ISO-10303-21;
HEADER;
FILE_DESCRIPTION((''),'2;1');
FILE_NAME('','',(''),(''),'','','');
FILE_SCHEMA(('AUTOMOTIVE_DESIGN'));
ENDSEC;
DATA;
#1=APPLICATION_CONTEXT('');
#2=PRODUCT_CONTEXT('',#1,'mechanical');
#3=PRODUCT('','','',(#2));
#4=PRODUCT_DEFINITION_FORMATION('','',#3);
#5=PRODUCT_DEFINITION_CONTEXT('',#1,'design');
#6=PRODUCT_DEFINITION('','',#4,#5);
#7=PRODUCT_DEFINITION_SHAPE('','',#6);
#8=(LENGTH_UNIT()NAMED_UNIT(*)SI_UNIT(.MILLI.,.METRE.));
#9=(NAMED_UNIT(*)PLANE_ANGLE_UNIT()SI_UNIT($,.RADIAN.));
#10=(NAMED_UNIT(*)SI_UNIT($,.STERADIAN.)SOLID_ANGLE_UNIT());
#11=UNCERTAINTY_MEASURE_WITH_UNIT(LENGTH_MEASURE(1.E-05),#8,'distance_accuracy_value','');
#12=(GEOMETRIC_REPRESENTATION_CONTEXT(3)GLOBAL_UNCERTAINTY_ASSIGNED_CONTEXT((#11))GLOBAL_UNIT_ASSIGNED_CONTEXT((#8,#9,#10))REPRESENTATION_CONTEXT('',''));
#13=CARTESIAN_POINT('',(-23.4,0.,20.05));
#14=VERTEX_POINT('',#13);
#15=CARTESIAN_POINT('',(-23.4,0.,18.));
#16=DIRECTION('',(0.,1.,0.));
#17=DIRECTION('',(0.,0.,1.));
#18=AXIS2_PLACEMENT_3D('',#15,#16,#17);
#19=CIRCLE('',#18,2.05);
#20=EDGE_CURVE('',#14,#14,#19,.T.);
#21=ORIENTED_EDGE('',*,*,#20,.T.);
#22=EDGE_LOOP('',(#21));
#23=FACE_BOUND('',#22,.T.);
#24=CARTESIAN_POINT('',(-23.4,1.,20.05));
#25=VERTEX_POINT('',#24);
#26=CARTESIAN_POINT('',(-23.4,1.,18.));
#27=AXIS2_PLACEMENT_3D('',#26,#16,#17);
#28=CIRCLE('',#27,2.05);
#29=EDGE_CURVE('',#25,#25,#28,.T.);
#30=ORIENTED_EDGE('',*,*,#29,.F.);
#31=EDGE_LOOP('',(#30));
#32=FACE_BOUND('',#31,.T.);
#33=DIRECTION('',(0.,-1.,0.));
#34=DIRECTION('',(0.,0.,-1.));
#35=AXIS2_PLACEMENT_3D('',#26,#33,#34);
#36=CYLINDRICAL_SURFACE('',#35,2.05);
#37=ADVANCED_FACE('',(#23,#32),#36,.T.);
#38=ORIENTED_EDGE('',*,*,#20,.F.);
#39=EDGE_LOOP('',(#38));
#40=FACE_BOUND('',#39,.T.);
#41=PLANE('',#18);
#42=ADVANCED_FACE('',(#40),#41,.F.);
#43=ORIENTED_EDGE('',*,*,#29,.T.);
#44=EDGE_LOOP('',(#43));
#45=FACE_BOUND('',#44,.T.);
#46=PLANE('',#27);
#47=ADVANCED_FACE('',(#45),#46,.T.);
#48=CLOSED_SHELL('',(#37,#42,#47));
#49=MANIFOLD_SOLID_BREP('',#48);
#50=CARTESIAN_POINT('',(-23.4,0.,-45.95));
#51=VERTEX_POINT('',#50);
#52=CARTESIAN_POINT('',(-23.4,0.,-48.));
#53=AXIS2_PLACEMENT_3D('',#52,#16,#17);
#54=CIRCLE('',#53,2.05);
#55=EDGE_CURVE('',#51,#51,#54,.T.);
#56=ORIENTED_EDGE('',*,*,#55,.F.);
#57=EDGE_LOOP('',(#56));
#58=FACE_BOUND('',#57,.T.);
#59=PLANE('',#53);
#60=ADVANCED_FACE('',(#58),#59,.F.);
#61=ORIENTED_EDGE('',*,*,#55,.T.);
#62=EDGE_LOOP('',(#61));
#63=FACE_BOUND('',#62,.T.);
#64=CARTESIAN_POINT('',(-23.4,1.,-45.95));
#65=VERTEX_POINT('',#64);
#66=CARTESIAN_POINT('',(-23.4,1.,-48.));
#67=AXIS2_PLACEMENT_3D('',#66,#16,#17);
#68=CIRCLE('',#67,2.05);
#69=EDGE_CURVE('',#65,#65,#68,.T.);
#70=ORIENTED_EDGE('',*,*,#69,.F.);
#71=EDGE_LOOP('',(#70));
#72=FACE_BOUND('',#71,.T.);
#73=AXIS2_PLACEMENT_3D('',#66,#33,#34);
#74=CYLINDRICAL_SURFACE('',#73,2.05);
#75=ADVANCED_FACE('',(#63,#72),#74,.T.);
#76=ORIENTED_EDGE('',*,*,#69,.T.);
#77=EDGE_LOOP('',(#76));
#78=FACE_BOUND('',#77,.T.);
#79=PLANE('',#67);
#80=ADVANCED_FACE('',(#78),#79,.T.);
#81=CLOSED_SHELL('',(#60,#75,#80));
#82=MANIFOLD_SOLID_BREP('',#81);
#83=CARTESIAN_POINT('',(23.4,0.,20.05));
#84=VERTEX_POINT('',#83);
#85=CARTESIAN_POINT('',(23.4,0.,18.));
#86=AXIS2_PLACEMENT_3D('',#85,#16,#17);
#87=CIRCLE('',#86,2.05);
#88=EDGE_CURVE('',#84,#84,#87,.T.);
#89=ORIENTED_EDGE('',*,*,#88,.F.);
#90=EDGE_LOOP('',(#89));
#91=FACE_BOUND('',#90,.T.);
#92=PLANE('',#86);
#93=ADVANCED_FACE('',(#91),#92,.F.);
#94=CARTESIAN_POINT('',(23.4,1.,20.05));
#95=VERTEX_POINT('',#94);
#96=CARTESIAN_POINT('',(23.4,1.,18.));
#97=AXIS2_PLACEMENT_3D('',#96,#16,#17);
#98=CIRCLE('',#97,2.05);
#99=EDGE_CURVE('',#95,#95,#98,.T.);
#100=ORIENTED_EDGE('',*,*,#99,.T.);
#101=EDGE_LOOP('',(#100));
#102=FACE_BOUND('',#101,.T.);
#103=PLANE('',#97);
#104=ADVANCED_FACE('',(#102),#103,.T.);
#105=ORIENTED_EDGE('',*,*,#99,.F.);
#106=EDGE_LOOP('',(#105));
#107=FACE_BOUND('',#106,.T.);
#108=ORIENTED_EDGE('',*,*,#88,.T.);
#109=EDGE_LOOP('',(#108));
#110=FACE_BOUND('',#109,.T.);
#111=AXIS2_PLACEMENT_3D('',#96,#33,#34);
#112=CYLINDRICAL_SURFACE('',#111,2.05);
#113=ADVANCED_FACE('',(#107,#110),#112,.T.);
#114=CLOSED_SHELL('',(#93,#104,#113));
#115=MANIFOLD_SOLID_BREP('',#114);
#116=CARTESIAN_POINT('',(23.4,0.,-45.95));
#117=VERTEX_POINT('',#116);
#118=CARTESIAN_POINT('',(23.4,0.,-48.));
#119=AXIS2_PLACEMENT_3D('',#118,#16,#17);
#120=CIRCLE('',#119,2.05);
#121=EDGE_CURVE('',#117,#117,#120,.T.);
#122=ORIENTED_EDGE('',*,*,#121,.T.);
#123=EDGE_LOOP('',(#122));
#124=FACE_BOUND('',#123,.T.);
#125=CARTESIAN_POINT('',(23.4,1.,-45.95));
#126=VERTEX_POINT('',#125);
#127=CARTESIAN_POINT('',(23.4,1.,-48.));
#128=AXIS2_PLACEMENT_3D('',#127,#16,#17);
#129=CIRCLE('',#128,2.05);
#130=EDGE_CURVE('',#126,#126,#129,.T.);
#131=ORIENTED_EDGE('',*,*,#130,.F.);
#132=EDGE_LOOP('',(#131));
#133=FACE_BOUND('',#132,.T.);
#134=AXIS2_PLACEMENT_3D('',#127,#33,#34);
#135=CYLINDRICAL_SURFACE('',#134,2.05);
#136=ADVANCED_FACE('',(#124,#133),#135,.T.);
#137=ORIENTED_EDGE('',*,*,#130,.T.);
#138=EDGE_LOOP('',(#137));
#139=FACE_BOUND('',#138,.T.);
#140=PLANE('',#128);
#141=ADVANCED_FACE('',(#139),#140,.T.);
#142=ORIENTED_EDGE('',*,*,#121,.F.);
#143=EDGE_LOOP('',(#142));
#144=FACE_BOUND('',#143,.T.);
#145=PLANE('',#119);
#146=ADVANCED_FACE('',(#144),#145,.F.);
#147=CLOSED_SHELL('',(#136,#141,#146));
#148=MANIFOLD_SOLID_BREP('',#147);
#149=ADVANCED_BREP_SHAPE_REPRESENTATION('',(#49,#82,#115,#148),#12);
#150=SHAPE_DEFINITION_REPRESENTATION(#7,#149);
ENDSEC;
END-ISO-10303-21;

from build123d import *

# Parameters (mm, degrees)
SKETCH1_R           = 2.05
BOSS_EXTRUDE1_DEPTH = 1
SKETCH2_R           = 2.05
BOSS_EXTRUDE2_DEPTH = 1
SKETCH3_R           = 2.05
BOSS_EXTRUDE3_DEPTH = 1
SKETCH4_R           = 2.05
BOSS_EXTRUDE4_DEPTH = 1


with BuildPart() as part:
    # Sketch1 → Boss-Extrude1 (new body)
    with BuildSketch(Plane(origin=(0, 0, 0), x_dir=(1, 0, 0), z_dir=(0, 1, 0))):
        with Locations(Location((-23.4, 48, 0), (0, 0, 270))):
            Circle(SKETCH1_R)
    extrude(amount=BOSS_EXTRUDE1_DEPTH)


with BuildPart() as body_2:
    # Sketch2 → Boss-Extrude2 (new body)
    with BuildSketch(Plane(origin=(0, 0, 0), x_dir=(1, 0, 0), z_dir=(0, 1, 0))):
        with Locations(Location((-23.4, -18, 0), (0, 0, 270))):
            Circle(SKETCH2_R)
    extrude(amount=BOSS_EXTRUDE2_DEPTH)


with BuildPart() as body_3:
    # Sketch3 → Boss-Extrude3 (new body)
    with BuildSketch(Plane(origin=(0, 0, 0), x_dir=(1, 0, 0), z_dir=(0, 1, 0))):
        with Locations(Location((23.4, 48, 0), (0, 0, 270))):
            Circle(SKETCH3_R)
    extrude(amount=BOSS_EXTRUDE3_DEPTH)


with BuildPart() as body_4:
    # Sketch4 → Boss-Extrude4 (new body)
    with BuildSketch(Plane(origin=(0, 0, 0), x_dir=(1, 0, 0), z_dir=(0, 1, 0))):
        with Locations(Location((23.4, -18, 0), (0, 0, 270))):
            Circle(SKETCH4_R)
    extrude(amount=BOSS_EXTRUDE4_DEPTH)


solid = Compound([part.part, body_2.part, body_3.part, body_4.part])
